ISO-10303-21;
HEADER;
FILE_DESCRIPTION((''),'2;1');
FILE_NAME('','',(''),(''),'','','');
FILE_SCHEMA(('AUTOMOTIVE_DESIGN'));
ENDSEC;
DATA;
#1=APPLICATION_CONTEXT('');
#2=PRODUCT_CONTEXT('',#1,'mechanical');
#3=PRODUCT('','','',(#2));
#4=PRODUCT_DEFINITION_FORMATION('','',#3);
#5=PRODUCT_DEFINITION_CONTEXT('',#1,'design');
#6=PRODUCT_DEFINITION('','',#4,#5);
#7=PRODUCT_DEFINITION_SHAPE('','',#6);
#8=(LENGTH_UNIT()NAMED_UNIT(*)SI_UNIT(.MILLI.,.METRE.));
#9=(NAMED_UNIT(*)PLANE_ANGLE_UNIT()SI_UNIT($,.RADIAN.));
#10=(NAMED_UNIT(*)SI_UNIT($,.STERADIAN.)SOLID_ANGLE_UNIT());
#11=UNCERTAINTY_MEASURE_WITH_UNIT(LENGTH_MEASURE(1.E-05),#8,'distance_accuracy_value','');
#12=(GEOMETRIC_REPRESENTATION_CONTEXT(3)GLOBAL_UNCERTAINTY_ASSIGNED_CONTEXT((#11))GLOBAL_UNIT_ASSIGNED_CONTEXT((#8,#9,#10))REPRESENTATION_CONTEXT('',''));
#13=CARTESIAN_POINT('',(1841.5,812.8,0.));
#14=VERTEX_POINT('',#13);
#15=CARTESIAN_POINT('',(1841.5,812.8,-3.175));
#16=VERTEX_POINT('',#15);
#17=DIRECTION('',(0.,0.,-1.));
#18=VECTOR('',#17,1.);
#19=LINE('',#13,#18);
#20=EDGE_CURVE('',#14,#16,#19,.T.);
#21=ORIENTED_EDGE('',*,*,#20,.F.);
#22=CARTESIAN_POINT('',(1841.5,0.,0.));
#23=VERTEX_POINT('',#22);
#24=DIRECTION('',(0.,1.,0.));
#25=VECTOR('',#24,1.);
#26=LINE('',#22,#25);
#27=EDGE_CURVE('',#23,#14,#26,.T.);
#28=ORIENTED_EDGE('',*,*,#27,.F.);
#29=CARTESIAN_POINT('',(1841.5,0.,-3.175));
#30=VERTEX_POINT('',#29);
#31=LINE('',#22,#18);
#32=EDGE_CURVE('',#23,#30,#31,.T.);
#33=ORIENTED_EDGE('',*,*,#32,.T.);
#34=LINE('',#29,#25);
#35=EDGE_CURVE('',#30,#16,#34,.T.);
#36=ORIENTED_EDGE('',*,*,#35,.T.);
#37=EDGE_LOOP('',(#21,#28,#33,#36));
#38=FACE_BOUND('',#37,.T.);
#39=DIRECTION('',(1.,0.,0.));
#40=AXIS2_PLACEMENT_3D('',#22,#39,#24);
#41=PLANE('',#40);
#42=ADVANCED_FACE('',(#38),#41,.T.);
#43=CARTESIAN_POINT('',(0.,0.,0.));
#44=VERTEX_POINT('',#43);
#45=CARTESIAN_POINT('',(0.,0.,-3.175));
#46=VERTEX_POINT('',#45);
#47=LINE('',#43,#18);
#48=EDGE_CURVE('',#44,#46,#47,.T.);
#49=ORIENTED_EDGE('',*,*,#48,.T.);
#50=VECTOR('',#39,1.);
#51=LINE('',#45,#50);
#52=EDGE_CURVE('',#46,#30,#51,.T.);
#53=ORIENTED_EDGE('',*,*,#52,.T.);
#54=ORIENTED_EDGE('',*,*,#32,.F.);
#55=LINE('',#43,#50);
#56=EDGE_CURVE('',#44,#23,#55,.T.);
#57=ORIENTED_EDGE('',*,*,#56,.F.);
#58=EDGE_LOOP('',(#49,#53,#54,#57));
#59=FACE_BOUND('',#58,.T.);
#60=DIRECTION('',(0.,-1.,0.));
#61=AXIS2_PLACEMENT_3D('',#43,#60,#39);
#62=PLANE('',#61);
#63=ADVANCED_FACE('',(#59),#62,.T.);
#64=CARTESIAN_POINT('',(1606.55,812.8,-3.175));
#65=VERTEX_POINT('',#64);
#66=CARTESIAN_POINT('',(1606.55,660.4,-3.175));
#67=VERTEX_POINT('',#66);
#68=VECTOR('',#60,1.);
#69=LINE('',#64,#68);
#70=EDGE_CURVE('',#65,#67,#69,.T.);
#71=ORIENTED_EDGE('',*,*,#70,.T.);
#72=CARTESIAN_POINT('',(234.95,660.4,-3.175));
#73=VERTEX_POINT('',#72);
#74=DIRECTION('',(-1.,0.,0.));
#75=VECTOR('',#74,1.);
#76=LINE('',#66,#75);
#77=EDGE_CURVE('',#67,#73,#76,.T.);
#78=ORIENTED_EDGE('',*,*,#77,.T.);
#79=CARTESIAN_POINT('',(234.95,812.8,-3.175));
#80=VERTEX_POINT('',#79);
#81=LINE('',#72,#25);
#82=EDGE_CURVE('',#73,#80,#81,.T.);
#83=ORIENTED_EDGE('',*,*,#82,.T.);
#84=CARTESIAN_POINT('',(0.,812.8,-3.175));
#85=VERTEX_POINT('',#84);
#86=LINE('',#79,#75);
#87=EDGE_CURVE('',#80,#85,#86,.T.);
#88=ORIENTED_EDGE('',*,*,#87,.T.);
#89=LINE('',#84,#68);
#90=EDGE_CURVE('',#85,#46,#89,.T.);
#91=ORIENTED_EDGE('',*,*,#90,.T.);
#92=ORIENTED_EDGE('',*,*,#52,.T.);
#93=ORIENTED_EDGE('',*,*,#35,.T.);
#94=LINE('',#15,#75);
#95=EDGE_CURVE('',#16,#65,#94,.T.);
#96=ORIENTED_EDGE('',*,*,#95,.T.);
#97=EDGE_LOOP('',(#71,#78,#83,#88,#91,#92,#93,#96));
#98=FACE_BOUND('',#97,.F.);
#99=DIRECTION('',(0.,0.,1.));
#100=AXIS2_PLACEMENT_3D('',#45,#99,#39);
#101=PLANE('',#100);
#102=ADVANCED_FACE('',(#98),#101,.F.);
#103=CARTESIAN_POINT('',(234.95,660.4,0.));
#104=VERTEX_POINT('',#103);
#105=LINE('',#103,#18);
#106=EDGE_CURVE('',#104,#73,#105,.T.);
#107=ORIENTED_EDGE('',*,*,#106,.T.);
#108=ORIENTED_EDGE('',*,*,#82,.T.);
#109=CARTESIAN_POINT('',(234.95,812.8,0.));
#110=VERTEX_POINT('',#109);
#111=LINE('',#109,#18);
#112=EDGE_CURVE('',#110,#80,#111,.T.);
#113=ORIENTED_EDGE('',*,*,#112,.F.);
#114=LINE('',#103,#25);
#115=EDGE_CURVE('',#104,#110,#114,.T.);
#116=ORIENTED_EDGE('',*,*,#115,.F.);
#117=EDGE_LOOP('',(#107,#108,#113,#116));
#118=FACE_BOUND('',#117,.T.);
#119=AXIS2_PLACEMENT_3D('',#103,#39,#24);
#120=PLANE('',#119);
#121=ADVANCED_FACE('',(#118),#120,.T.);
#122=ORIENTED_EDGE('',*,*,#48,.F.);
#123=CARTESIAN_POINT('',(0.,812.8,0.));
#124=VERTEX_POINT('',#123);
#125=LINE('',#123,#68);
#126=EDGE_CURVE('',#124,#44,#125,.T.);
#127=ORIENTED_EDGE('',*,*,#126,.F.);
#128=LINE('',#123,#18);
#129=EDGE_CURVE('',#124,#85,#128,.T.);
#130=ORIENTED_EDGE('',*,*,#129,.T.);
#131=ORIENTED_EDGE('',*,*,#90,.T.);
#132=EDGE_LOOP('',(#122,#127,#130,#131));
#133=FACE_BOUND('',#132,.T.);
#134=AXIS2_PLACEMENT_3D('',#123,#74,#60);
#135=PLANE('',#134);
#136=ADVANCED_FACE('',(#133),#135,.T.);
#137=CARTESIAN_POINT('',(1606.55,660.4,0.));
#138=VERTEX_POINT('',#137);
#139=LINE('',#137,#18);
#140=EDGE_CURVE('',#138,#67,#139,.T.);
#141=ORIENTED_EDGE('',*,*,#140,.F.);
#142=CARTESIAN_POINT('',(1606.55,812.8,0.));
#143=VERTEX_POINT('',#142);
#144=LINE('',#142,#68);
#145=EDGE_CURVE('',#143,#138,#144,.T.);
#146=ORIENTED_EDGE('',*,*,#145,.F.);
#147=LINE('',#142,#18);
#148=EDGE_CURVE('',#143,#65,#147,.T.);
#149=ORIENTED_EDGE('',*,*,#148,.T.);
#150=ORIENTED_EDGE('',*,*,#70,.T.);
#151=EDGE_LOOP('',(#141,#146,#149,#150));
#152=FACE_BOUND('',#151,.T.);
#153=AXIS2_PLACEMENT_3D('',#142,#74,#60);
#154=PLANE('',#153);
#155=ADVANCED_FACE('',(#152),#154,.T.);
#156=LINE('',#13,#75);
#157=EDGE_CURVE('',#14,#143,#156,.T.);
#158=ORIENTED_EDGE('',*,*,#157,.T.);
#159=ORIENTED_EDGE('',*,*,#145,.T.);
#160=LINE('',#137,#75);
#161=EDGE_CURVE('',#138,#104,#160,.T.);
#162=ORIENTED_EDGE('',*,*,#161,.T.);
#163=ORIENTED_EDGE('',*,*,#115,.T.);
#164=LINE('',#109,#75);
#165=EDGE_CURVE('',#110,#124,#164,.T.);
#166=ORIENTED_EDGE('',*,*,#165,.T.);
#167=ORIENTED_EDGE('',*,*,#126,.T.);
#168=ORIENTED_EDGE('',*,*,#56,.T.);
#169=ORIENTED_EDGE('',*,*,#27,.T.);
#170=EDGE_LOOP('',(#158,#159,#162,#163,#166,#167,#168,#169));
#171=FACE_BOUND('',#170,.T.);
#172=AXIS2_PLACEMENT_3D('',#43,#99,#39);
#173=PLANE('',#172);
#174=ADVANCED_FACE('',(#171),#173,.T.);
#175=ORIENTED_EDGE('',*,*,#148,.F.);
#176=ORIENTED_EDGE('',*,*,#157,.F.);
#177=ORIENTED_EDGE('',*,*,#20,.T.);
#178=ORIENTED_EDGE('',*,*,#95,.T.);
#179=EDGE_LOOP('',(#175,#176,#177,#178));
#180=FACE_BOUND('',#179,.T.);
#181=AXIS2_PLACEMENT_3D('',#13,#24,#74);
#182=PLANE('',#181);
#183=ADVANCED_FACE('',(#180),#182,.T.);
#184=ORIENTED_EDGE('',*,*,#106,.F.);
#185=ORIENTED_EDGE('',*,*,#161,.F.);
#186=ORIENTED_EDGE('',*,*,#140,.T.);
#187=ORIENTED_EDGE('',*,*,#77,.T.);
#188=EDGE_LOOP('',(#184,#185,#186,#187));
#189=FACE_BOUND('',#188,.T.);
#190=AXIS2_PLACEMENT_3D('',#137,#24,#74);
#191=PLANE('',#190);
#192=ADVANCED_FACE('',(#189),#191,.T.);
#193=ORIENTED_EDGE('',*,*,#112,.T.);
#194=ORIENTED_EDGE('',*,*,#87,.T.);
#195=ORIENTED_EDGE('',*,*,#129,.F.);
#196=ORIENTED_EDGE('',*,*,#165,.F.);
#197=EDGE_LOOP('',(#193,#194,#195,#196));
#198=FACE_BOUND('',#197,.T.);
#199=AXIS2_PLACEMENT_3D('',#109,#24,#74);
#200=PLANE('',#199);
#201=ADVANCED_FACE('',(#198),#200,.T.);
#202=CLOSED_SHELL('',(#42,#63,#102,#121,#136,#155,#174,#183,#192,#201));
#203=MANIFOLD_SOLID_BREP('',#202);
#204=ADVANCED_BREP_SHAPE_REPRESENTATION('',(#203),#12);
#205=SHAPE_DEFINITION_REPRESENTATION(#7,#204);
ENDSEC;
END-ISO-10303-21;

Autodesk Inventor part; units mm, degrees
ref_plane "YZ Plane" through (0, 0, 0) normal (1, 0, 0) x (0, 1, 0)
ref_plane "XZ Plane" through (0, 0, 0) normal (0, 1, 0) x (-1, 0, 0)
ref_plane "XY Plane" through (0, 0, 0) normal (0, 0, 1) x (1, 0, 0)
sketch "Sketch1" plane through (0, 0, 0) normal (0, 0, 1) x (1, 0, 0)
  line L0 (0, 0) -> (1841.5, 0)
  line L1 (1841.5, 0) -> (1841.5, 812.8)
  line L2 (1841.5, 812.8) -> (1606.55, 812.8)
  line L3 (1606.55, 812.8) -> (1606.55, 660.4)
  line L4 (1606.55, 660.4) -> (234.95, 660.4)
  line L5 (234.95, 660.4) -> (234.95, 812.8)
  line L6 (234.95, 812.8) -> (0, 812.8)
  line L7 (0, 812.8) -> (0, 0)
  dimension "d0" = 1841.5
  dimension "d1" = 812.8
  dimension "d2" = 234.95
  dimension "d3" = 152.4
  dimension "d4" = 234.95
  dimension "d5" = 152.4
extrude "Extrusion1" add sketch "Sketch1" against normal blind 3.175
sketch "Sketch2" plane through (0, 0, 0) normal (0, 0, 1) x (1, 0, 0)
  line L0 (0, 0) -> (1841.5, 0) projected
  line L1 (1841.5, 0) -> (1841.5, 812.8) projected
  line L2 (1841.5, 812.8) -> (1606.55, 812.8) projected
  line L3 (1606.55, 812.8) -> (1606.55, 660.4) projected
  line L4 (1606.55, 660.4) -> (234.95, 660.4) projected
  line L5 (234.95, 660.4) -> (234.95, 812.8) projected
  line L6 (234.95, 812.8) -> (0, 812.8) projected
  line L7 (0, 812.8) -> (0, 0) projected
sketch "Sketch3" plane through (0, 0, 0) normal (0, 0, 1) x (1, 0, 0)
  line L0 (0, 0) -> (1841.5, 0) projected
  line L1 (521.481, 0) -> (1320.019, 0) construction
  line L2 (1320.019, 0) -> (1320.019, 559.6136) construction
  line L3 (1320.019, 559.6136) -> (521.481, 559.6136) construction
  line L4 (521.481, 559.6136) -> (521.481, 0) construction
  point P0 (920.75, 0)
  point P1 (920.75, 0)
decal "Decal1"
equation "\"d4\" = d2"
equation "\"d5\" = d3"
properties part number "GE-13013BLogo" material "Polycarbonate, Clear"
